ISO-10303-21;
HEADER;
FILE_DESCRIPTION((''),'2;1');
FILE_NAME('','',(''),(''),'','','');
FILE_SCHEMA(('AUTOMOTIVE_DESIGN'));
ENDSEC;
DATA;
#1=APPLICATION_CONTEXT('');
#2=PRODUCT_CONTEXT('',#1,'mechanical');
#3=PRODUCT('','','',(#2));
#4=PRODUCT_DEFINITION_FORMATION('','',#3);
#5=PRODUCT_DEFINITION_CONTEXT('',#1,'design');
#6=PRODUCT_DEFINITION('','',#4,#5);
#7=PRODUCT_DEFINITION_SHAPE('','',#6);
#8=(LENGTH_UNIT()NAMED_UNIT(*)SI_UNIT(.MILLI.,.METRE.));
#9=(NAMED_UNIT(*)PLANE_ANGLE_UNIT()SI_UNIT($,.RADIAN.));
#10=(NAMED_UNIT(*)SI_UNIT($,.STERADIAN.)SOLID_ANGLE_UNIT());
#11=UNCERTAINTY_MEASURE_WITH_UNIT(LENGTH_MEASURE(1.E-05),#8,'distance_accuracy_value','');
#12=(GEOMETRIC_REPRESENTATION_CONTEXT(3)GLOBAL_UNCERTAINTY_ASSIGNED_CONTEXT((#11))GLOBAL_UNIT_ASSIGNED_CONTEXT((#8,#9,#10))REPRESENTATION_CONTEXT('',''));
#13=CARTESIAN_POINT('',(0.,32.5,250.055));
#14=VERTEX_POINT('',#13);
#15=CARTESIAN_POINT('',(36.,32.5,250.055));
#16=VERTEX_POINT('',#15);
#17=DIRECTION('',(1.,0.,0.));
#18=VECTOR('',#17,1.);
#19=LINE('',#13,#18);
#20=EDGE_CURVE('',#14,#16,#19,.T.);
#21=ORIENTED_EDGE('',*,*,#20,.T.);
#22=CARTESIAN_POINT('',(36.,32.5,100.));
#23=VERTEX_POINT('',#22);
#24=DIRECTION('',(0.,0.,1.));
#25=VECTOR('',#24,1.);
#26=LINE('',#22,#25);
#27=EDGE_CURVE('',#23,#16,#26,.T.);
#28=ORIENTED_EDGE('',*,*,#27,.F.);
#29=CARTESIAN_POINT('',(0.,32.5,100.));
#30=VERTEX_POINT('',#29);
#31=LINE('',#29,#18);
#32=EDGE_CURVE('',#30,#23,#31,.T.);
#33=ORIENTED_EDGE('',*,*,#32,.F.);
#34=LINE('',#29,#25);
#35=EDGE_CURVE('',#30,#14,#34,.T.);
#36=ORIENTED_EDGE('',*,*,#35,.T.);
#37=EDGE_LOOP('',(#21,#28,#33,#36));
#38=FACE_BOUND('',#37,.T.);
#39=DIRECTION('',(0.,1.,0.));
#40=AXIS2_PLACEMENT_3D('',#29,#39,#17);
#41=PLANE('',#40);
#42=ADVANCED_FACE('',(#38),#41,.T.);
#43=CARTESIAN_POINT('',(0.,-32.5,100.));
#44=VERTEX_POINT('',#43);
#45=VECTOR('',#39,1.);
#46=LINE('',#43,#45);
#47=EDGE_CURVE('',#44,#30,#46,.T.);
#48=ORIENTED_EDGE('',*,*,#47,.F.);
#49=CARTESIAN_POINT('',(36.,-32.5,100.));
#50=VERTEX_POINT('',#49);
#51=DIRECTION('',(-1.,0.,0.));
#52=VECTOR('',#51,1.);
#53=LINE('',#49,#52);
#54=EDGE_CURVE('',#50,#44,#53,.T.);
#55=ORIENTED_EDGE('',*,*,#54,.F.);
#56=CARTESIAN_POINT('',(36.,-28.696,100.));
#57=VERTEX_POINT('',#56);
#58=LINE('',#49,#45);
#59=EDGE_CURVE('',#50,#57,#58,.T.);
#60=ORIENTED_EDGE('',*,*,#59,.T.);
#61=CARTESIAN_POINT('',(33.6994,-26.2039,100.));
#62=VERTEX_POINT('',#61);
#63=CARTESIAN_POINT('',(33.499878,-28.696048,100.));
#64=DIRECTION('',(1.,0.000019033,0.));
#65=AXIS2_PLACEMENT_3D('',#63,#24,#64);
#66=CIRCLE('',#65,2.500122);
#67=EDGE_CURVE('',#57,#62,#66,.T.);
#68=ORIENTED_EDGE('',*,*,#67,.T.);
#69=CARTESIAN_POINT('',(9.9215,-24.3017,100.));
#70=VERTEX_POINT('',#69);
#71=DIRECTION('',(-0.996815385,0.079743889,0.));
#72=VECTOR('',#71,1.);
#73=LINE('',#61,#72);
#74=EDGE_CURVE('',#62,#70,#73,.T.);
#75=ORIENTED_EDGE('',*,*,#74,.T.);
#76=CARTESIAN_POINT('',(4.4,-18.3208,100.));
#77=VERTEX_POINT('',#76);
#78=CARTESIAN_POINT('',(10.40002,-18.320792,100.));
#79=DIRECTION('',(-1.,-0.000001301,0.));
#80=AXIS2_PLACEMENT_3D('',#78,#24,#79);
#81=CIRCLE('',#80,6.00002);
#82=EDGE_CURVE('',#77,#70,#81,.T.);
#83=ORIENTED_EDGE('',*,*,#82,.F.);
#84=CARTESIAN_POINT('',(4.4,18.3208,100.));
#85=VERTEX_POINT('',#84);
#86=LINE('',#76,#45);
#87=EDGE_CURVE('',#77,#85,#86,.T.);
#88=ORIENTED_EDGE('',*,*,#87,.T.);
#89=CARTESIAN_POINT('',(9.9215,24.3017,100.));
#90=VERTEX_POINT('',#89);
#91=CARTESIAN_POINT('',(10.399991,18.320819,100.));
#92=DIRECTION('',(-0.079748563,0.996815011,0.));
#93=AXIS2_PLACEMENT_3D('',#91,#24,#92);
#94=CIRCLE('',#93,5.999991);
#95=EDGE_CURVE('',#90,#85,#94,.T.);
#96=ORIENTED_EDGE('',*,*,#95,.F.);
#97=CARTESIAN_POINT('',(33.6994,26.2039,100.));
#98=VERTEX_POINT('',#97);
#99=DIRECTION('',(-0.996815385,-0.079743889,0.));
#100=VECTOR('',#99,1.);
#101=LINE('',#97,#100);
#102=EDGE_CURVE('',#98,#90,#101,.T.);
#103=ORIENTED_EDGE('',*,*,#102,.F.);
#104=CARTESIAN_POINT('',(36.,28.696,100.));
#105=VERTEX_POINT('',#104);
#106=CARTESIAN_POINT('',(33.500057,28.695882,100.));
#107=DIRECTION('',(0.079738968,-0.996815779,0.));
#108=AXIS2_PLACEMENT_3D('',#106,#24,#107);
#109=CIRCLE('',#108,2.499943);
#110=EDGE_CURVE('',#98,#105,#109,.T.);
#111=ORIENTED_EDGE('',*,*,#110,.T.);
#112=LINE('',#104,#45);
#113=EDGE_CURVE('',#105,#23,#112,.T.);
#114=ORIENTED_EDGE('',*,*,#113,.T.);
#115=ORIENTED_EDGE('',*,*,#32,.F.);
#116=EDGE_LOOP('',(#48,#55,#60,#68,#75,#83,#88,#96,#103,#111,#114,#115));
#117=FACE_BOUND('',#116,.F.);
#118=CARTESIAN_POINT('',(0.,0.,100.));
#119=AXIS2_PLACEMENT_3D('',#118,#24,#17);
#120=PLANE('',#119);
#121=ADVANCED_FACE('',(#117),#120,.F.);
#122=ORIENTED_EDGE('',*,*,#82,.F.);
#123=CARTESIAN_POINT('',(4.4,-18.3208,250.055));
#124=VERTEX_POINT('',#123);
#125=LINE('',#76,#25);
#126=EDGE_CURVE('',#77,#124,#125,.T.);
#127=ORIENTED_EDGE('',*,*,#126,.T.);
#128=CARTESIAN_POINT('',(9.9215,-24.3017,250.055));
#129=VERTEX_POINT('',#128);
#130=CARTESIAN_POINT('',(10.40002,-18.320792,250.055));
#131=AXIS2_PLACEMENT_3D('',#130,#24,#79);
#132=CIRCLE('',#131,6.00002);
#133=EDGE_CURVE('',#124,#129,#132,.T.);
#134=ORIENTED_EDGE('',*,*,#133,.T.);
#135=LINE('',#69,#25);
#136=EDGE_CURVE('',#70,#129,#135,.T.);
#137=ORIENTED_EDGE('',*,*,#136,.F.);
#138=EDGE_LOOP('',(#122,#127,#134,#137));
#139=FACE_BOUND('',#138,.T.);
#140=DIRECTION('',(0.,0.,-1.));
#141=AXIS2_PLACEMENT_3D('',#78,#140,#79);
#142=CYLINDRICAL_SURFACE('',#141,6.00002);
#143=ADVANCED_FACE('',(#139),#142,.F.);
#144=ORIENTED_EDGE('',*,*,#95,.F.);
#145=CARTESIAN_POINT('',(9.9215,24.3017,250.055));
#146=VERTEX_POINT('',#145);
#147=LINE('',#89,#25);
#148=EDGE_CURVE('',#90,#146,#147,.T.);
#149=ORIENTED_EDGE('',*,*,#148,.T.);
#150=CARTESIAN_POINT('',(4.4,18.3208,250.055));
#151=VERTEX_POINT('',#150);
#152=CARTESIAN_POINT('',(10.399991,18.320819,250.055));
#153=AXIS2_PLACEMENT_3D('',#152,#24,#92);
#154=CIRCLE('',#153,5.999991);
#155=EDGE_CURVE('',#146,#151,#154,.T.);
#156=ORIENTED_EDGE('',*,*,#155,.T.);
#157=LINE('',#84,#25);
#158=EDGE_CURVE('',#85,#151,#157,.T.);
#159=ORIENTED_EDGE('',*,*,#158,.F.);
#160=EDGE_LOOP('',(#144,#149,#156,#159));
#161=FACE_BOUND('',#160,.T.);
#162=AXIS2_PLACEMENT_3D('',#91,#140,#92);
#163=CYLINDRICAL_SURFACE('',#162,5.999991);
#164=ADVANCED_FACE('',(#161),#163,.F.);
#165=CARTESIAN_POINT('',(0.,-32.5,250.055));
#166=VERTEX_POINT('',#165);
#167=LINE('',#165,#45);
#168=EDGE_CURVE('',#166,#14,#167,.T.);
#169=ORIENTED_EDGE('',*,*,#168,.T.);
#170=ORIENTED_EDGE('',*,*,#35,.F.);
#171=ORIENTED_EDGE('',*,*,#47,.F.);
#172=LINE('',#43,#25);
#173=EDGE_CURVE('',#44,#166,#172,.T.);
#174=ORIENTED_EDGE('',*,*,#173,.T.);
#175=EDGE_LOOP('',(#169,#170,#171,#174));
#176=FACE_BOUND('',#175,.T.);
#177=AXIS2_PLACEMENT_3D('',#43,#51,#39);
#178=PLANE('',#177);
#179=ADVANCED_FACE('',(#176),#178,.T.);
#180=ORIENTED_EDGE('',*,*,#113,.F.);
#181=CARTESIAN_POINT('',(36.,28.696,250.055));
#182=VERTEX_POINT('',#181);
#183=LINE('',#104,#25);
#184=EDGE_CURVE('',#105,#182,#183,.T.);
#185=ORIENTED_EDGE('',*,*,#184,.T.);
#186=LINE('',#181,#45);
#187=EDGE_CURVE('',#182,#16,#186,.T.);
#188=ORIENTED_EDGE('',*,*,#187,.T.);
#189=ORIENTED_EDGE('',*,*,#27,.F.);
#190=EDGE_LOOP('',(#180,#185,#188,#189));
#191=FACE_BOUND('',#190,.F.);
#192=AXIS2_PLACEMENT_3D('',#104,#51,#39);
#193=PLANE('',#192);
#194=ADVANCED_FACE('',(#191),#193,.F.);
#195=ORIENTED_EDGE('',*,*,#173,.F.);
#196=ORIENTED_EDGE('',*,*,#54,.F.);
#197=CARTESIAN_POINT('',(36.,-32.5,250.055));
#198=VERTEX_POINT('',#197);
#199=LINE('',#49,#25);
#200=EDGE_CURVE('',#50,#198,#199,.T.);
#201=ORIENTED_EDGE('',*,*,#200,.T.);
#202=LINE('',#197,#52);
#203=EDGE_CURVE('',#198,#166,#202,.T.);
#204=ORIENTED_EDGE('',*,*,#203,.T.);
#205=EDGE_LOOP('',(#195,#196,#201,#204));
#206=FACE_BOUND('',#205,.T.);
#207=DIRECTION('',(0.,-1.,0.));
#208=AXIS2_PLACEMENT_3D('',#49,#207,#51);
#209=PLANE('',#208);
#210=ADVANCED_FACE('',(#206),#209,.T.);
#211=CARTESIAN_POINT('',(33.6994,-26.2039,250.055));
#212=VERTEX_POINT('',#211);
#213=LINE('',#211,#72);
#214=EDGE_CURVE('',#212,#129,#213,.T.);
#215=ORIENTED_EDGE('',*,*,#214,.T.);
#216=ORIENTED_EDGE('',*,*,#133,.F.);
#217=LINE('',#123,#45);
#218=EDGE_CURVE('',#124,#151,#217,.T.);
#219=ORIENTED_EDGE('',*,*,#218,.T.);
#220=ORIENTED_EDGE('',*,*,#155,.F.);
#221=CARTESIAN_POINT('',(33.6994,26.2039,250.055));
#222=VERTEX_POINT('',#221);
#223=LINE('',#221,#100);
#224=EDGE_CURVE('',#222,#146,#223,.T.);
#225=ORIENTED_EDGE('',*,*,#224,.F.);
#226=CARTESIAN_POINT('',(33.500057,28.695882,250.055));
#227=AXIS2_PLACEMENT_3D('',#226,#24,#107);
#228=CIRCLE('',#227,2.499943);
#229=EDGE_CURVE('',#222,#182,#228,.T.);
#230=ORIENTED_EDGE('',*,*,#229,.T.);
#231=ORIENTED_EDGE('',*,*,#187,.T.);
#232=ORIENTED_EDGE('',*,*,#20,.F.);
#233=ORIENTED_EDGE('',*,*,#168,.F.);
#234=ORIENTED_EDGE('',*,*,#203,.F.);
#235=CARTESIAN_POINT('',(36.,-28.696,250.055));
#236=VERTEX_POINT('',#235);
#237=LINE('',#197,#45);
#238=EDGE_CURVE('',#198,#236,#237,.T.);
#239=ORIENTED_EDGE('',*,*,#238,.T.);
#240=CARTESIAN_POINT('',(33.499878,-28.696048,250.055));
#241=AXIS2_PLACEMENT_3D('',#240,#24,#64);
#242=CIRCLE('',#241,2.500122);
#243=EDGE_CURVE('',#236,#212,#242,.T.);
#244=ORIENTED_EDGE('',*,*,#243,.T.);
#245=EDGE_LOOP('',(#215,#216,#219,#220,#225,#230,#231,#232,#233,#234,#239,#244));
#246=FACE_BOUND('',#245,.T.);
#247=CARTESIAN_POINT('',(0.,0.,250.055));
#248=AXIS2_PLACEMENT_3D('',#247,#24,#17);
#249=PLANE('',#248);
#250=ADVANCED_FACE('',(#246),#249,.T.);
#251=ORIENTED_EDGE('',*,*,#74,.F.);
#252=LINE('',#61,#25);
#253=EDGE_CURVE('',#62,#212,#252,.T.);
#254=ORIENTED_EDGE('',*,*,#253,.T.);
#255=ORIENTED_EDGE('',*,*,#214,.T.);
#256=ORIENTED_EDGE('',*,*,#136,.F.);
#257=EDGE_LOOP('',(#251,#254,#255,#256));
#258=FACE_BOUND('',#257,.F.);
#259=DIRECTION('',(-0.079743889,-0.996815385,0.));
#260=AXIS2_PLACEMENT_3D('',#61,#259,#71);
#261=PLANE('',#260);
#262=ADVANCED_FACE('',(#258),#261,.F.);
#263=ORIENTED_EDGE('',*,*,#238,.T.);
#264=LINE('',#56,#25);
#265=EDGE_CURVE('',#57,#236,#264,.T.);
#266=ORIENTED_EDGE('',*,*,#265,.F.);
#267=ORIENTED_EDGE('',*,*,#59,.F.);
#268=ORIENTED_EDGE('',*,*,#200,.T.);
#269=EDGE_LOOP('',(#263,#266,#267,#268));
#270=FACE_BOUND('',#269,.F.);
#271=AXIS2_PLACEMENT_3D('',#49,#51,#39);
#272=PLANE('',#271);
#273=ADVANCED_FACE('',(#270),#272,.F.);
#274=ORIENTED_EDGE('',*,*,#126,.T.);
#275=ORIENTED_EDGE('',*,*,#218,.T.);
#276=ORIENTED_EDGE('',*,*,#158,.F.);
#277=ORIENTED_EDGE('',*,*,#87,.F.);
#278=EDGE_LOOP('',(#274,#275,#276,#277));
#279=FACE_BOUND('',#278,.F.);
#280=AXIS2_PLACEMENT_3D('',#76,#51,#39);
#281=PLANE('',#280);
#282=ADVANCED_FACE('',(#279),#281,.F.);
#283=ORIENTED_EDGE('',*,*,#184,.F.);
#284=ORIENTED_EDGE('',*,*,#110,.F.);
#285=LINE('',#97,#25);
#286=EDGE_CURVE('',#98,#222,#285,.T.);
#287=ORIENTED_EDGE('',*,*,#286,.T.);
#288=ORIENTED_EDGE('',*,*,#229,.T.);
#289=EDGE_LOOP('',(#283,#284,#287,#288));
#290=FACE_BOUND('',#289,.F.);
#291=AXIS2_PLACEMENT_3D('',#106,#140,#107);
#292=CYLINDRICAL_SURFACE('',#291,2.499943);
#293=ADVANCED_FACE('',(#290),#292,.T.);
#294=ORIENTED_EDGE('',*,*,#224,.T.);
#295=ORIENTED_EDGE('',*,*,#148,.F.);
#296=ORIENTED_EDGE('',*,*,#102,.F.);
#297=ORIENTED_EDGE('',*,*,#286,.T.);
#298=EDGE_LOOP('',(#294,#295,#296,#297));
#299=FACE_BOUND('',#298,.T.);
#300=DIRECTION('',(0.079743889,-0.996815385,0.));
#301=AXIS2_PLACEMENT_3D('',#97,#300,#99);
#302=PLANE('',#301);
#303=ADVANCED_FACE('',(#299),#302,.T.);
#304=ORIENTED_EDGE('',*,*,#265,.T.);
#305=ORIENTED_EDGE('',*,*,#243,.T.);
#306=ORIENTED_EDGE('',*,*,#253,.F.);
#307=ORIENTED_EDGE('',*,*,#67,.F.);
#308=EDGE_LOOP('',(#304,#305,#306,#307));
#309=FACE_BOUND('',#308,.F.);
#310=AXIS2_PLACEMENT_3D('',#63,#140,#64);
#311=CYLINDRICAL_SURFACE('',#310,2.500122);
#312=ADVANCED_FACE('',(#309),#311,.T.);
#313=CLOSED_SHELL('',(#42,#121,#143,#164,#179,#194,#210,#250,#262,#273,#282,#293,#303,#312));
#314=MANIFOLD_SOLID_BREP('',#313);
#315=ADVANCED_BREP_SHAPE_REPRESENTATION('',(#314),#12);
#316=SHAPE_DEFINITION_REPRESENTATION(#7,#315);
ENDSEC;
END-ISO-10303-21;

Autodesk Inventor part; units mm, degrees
ref_plane "Начальная плоскость" through (0, 0, 100) normal (0, 0, 1) x (1, 0, 0)
ref_plane "Конечная плоскость" through (0, 0, 250.055) normal (0, 0, 1) x (1, 0, 0)
sketch "Эскиз" plane through (0, 0, 0) normal (0, 0, 1) x (1, 0, 0)
  line L0 (36, -32.5) -> (0, -32.5)
  line L1 (36, -32.5) -> (36, -28.696)
  line L2 (33.6994, -26.2039) -> (9.9215, -24.3017)
  line L3 (4.4, -18.3208) -> (4.4, 18.3208)
  line L4 (33.6994, 26.2039) -> (9.9215, 24.3017)
  line L5 (36, 28.696) -> (36, 32.5)
  line L6 (0, 32.5) -> (36, 32.5)
  line L7 (0, -32.5) -> (0, 32.5)
  arc A0 (4.4, -18.3208) -> (9.9215, -24.3017) centre (10.4, -18.3208) ccw
  arc A1 (9.9215, 24.3017) -> (4.4, 18.3208) centre (10.4, 18.3208) ccw
  arc A2 (36, -28.696) -> (33.6994, -26.2039) centre (33.5, -28.696) ccw
  arc A3 (33.6994, 26.2039) -> (36, 28.696) centre (33.5, 28.696) ccw
  line L8 (0, 45.5) -> (0, -45.5) construction
  line L9 (-7.2974, 0) -> (43.7847, 0) construction
  point P0 (36, -26.388)
  point P1 (4.4, -23.86)
  point P2 (4.4, 23.86)
  point P3 (36, 26.388)
  dimension "d3" = 36
  dimension "d5" = 4.4
  dimension "d7" = 65
  dimension "d9" = 8.64
  dimension "d11" = 8.64
  dimension "d13" = 6.112
  dimension "d15" = 6.112
  dimension "d22" = 6
  dimension "d23" = 2.5
  dimension "d24" = 32.5
  dimension "d25" = 0
extrude "Тело" add sketch "Эскиз" along normal up to surface (150.055 mm away) from surface at 100
sketch "Sketch3" plane through (0, 0, 0) normal (0, 0, 1) x (1, 0, 0)
  line L0 (0, 0) -> (10, 0)
ref_plane "Work Plane7" through (0, 0, 0) normal (0, -1, 0) x (1, 0, 0)
sketch "Sketch4" plane through (0, 0, 0) normal (0, -1, 0) x (1, 0, 0)
  line L0 (-2, 100) -> (12, 100)
  line L1 (-2, 250.055) -> (12, 250.055)
  dimension "d29" = 150.055
ref_plane "РабПлоскость8" through (0, -13.5, 100) normal (0, 0, -1) x (-1, 0, 0)
split "Разделение1" plane through (0, -13.5, 100) removes the side toward (0, 0, -1)
ref_plane "РабПлоскость9" through (-0.0001, 32.5, 250.055) normal (0, 0, 1) x (1, 0, 0)
split "Разделение2" plane through (-0.0001, 32.5, 250.055) removes the side toward (0, 0, 1)
equation "\"d3\" = b"
equation "\"d5\" = t1"
equation "\"d7\" = ParH"
equation "\"d9\" = msp_x1 + t2"
equation "\"d11\" = msp_x1 + t2"
equation "\"d13\" = -msp_x2 + t2"
equation "\"d15\" = -msp_x2 + t2"
equation "\"d22\" = R"
equation "\"d23\" = R1"
equation "\"d24\" = 0.5 * d7"
equation "\"d16\" = G_L"
equation "\"R1\" = 2.5"
equation "\"R\" = 6"
equation "\"t1\" = 4.4"
equation "\"t2\" = 7.2"
equation "\"ParH\" = 65"
equation "\"b\" = 36"
equation "\"msp_x1\" = 0.04 * b"
equation "\"msp_x2\" = -0.08 * t1 + 0.04 * b"
equation "\"G_L\" = d29"
equation "\"ex\" = 0"
equation "\"G_OFFSET_END\" = -546.404"
equation "\"d27\" = G_OFFSET_END + B_L"
equation "\"B_L\" = 796.459"
properties part number "Швеллер 6.5U-150,05 ГОСТ 8240-97" material "Сталь, мягкая"
